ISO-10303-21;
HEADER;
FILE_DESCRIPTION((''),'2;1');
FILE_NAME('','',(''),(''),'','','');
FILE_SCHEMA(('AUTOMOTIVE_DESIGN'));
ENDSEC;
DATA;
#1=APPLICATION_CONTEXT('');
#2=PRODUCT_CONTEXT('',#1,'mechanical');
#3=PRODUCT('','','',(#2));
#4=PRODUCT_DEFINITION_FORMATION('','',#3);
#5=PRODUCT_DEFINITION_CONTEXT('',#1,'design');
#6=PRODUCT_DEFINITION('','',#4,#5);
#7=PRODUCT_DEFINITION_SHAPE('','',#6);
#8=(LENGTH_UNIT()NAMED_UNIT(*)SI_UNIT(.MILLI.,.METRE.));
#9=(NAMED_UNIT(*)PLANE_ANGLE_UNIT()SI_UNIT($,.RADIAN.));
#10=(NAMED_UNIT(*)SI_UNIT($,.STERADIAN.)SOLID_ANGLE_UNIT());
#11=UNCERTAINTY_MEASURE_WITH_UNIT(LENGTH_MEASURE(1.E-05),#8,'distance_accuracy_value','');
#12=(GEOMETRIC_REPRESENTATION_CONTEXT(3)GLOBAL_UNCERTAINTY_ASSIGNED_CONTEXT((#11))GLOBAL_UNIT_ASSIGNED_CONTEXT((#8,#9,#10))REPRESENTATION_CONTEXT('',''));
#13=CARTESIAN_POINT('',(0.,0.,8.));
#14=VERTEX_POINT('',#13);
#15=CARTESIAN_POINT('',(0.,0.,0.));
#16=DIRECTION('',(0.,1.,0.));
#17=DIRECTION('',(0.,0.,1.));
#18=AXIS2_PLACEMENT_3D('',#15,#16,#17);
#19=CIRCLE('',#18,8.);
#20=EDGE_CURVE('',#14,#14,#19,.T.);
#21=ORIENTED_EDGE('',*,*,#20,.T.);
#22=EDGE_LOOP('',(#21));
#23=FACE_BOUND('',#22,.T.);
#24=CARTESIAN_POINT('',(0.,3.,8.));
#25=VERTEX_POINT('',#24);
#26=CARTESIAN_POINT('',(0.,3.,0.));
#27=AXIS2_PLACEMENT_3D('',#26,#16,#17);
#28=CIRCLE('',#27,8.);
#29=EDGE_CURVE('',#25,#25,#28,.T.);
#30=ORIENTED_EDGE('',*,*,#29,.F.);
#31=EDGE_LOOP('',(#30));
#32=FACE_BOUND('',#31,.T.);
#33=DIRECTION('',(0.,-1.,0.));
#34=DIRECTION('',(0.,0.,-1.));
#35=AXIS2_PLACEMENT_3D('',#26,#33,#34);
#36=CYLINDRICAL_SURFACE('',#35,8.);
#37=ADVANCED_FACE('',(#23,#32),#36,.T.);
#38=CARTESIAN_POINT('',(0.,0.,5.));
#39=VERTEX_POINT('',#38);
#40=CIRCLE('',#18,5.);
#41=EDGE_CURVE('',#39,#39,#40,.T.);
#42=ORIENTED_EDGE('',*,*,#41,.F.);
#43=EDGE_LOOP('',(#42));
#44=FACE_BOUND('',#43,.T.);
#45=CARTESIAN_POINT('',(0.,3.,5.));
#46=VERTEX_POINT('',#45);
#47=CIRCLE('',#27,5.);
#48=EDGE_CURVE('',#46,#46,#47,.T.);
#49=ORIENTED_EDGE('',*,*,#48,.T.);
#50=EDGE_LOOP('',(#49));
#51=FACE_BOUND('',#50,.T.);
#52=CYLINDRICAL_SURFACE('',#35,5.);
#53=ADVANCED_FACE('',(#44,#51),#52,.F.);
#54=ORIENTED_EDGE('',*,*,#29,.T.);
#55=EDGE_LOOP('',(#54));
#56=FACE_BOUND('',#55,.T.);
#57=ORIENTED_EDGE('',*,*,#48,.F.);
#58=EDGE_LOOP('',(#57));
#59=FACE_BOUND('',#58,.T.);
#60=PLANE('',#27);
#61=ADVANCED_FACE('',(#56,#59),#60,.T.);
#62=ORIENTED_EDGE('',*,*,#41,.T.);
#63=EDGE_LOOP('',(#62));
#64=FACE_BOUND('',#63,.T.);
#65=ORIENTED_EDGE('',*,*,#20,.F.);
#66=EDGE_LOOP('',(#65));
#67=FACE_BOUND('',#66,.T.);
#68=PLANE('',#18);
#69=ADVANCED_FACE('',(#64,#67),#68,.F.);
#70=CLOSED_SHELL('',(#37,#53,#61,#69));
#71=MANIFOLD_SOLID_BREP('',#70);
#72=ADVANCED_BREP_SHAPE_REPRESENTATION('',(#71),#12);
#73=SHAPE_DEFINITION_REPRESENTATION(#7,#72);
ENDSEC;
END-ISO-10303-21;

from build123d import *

# Parameters (mm, degrees)
SKETCH1_R           = 8
SKETCH1_R_2         = 5
BOSS_EXTRUDE1_DEPTH = 3


with BuildPart() as part:
    # Sketch1 → Boss-Extrude1 (new body)
    with BuildSketch(Plane(origin=(0, 0, 0), x_dir=(1, 0, 0), z_dir=(0, 1, 0))):
        with Locations(Location((0, 0, 0), (0, 0, 270))):
            Circle(SKETCH1_R)
        with Locations(Location((0, 0, 0), (0, 0, 270))):
            Circle(SKETCH1_R_2, mode=Mode.SUBTRACT)
    extrude(amount=BOSS_EXTRUDE1_DEPTH)


solid = part.part
